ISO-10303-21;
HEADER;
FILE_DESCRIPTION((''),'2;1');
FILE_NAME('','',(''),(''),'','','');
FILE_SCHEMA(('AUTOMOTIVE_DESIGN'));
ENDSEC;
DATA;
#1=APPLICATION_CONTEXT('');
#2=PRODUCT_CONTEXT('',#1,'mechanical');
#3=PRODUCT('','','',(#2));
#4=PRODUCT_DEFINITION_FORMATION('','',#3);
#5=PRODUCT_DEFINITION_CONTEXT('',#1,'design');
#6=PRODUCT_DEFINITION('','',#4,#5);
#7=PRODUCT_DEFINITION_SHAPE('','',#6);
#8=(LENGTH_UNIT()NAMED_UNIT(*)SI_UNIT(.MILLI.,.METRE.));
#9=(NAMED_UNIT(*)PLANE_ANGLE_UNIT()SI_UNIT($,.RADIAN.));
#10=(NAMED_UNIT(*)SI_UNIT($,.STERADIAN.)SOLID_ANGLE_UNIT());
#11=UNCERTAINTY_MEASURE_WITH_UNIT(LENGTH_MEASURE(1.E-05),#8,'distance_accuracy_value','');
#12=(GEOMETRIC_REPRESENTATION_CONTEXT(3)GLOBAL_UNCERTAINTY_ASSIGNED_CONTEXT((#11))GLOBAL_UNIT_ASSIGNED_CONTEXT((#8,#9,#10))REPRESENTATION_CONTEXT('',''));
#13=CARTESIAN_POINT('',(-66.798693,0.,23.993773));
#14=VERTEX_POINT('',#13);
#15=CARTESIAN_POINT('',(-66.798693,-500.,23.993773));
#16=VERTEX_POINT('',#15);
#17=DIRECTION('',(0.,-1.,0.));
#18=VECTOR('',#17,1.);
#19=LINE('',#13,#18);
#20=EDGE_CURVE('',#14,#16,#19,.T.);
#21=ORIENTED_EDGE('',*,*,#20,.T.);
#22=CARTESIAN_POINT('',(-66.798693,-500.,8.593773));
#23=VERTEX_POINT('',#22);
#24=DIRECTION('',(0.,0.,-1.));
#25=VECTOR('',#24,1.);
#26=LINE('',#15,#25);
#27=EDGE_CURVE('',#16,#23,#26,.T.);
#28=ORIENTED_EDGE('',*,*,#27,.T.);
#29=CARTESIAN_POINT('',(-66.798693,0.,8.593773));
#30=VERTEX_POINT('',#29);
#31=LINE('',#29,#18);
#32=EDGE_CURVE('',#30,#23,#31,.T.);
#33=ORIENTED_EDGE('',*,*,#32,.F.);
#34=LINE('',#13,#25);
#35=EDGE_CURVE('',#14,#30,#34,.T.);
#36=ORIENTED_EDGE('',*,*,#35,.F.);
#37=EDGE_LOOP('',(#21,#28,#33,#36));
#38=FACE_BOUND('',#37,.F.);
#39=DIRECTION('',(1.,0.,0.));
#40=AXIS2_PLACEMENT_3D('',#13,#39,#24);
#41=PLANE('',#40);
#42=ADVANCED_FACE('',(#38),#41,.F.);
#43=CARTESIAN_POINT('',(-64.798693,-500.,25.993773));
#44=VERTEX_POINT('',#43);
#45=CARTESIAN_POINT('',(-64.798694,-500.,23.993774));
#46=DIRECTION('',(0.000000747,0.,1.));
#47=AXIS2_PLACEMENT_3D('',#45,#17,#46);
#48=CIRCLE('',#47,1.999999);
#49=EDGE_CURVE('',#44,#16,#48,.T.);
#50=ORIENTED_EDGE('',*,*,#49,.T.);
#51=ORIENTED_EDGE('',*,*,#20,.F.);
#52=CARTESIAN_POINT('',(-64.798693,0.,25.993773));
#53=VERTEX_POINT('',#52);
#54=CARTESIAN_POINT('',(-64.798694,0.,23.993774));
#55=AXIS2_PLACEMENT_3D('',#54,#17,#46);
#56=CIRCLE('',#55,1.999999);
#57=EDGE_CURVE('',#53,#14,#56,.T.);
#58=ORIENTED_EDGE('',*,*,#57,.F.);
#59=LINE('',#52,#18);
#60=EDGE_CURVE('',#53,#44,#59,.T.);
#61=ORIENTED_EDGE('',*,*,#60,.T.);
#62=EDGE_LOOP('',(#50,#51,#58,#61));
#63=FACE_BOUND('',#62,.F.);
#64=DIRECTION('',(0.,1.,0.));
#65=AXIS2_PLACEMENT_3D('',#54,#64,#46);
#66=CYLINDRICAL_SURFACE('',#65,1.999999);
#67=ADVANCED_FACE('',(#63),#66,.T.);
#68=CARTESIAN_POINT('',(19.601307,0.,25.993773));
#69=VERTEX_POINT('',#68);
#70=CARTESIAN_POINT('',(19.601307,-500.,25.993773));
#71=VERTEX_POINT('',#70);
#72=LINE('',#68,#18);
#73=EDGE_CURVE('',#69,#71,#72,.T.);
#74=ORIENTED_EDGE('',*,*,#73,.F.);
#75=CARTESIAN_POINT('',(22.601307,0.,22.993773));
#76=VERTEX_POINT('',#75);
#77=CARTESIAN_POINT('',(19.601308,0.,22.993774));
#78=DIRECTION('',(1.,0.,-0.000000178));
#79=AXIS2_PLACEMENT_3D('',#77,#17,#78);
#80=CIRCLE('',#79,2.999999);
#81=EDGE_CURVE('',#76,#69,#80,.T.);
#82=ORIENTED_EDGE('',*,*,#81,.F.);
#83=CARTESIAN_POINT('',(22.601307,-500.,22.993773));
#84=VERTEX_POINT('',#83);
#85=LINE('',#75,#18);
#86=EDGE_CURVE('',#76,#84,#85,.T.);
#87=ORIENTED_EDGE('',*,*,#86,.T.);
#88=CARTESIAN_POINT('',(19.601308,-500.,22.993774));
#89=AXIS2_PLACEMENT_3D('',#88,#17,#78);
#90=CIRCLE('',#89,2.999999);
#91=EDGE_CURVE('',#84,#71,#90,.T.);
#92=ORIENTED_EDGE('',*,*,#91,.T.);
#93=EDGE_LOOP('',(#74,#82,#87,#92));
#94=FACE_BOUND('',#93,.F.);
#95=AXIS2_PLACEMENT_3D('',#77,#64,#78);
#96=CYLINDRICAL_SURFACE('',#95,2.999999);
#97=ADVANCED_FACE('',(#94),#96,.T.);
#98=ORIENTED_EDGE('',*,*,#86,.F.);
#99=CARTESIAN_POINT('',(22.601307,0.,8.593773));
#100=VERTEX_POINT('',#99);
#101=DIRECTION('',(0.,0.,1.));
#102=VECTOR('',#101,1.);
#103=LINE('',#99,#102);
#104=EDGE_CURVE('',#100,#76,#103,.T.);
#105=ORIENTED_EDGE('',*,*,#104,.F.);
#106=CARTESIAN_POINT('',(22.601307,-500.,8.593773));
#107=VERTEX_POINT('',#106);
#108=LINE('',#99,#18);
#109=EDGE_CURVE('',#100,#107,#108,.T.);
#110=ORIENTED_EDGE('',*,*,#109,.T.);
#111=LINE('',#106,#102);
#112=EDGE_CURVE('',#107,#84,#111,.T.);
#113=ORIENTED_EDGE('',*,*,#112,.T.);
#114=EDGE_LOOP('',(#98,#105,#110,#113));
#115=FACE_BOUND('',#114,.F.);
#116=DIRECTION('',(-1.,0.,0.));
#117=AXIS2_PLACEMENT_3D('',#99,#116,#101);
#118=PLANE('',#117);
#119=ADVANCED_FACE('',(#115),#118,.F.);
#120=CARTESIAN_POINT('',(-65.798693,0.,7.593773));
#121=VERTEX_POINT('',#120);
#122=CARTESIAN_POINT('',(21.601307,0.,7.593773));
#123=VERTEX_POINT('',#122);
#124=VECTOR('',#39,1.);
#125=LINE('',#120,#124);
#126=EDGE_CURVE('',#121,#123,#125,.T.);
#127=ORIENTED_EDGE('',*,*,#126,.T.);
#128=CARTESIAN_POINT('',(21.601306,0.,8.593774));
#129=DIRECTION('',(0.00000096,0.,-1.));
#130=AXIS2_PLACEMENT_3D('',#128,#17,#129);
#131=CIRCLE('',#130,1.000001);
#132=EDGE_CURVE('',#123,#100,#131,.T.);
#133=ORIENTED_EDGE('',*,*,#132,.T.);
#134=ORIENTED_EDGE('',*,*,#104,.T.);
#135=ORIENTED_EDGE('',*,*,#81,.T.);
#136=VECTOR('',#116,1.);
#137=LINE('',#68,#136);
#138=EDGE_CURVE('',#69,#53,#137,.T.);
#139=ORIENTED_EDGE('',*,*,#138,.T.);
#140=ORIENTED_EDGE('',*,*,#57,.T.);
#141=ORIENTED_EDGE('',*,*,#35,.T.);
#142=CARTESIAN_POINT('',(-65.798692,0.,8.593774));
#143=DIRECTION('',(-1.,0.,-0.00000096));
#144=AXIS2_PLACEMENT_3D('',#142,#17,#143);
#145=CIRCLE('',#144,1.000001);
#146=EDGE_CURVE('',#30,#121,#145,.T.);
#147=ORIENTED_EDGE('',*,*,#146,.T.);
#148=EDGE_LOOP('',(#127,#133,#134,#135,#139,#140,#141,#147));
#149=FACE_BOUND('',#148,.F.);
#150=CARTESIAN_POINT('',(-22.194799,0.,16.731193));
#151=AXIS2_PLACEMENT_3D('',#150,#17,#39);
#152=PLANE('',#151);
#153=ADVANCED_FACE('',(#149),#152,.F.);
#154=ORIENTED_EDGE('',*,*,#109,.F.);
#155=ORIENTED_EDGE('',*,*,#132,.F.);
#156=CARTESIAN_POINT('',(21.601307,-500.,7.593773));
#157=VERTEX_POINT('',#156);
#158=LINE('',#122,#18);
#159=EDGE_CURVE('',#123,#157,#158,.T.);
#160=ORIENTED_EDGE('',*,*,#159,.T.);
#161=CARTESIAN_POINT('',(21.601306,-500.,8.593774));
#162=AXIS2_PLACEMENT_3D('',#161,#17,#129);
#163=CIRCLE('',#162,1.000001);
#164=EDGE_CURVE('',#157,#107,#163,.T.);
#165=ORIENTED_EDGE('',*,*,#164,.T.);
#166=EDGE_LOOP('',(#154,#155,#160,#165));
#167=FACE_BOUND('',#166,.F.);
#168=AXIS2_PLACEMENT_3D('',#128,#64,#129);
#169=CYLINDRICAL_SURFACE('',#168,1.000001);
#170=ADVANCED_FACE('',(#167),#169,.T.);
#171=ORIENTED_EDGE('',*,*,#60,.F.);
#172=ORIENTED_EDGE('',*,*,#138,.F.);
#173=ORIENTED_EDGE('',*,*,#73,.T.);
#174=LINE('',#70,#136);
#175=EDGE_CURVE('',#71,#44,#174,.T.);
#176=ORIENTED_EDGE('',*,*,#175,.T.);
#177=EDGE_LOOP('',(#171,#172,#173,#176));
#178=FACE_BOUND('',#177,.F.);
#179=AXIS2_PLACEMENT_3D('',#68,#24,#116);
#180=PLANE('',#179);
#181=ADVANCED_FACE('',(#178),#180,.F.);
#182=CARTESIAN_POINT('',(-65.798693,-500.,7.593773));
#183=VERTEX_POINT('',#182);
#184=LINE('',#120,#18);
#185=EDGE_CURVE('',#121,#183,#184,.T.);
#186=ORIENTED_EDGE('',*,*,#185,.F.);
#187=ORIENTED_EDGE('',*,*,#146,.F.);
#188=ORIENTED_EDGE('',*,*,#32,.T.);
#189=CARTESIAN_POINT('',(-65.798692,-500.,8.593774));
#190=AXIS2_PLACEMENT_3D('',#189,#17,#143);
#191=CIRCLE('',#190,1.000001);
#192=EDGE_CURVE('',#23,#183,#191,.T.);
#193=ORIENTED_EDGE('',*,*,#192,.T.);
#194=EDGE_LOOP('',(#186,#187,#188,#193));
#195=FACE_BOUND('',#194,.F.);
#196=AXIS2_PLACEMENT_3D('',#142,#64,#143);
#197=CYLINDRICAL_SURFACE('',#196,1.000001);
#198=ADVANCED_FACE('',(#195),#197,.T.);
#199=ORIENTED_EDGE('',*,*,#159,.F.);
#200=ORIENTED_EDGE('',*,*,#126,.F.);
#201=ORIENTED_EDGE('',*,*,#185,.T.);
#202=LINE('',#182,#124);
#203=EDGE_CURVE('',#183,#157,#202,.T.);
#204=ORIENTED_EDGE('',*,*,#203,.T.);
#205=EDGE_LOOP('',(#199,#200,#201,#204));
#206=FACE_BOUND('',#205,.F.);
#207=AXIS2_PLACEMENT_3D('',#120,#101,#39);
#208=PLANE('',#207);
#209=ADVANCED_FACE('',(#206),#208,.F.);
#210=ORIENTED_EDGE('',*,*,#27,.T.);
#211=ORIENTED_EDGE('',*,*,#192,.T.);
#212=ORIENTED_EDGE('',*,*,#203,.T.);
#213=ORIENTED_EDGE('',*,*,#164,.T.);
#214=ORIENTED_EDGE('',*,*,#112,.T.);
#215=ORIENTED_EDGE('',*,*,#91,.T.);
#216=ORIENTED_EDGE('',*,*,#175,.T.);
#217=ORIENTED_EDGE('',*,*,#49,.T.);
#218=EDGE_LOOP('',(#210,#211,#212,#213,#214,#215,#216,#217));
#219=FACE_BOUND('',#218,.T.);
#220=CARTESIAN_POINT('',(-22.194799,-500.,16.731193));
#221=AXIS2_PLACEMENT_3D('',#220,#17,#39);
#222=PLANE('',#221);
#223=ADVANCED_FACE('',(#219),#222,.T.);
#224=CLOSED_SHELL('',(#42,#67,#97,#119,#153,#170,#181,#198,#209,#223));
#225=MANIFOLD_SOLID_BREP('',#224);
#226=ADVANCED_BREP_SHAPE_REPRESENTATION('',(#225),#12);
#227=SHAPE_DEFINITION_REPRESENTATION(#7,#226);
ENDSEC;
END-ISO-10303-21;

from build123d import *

# Parameters (mm, degrees)
F1_DEPTH = 500


with BuildPart() as f1:
    # F0 (on Front) → F1 (new body)
    with BuildSketch(Plane.XZ):
        with BuildLine():
            Line((-65.798693, 7.593773), (-57.799906, 7.593773))
            Line((-57.799906, 7.593773), (17.104283, 7.593773))
            Line((17.104283, 7.593773), (21.601307, 7.593773))
            ThreePointArc((21.601307, 7.593773), (22.308414, 7.886667), (22.601307, 8.593773))
            Line((22.601307, 8.593773), (22.601307, 22.993773))
            ThreePointArc((22.601307, 22.993773), (21.722627, 25.115094), (19.601307, 25.993773))
            Line((19.601307, 25.993773), (-64.798693, 25.993773))
            ThreePointArc((-64.798693, 25.993773), (-66.212907, 25.407987), (-66.798693, 23.993773))
            Line((-66.798693, 23.993773), (-66.798693, 8.593773))
            ThreePointArc((-66.798693, 8.593773), (-66.5058, 7.886667), (-65.798693, 7.593773))
        make_face()
    extrude(amount=F1_DEPTH)


solid = f1.part
